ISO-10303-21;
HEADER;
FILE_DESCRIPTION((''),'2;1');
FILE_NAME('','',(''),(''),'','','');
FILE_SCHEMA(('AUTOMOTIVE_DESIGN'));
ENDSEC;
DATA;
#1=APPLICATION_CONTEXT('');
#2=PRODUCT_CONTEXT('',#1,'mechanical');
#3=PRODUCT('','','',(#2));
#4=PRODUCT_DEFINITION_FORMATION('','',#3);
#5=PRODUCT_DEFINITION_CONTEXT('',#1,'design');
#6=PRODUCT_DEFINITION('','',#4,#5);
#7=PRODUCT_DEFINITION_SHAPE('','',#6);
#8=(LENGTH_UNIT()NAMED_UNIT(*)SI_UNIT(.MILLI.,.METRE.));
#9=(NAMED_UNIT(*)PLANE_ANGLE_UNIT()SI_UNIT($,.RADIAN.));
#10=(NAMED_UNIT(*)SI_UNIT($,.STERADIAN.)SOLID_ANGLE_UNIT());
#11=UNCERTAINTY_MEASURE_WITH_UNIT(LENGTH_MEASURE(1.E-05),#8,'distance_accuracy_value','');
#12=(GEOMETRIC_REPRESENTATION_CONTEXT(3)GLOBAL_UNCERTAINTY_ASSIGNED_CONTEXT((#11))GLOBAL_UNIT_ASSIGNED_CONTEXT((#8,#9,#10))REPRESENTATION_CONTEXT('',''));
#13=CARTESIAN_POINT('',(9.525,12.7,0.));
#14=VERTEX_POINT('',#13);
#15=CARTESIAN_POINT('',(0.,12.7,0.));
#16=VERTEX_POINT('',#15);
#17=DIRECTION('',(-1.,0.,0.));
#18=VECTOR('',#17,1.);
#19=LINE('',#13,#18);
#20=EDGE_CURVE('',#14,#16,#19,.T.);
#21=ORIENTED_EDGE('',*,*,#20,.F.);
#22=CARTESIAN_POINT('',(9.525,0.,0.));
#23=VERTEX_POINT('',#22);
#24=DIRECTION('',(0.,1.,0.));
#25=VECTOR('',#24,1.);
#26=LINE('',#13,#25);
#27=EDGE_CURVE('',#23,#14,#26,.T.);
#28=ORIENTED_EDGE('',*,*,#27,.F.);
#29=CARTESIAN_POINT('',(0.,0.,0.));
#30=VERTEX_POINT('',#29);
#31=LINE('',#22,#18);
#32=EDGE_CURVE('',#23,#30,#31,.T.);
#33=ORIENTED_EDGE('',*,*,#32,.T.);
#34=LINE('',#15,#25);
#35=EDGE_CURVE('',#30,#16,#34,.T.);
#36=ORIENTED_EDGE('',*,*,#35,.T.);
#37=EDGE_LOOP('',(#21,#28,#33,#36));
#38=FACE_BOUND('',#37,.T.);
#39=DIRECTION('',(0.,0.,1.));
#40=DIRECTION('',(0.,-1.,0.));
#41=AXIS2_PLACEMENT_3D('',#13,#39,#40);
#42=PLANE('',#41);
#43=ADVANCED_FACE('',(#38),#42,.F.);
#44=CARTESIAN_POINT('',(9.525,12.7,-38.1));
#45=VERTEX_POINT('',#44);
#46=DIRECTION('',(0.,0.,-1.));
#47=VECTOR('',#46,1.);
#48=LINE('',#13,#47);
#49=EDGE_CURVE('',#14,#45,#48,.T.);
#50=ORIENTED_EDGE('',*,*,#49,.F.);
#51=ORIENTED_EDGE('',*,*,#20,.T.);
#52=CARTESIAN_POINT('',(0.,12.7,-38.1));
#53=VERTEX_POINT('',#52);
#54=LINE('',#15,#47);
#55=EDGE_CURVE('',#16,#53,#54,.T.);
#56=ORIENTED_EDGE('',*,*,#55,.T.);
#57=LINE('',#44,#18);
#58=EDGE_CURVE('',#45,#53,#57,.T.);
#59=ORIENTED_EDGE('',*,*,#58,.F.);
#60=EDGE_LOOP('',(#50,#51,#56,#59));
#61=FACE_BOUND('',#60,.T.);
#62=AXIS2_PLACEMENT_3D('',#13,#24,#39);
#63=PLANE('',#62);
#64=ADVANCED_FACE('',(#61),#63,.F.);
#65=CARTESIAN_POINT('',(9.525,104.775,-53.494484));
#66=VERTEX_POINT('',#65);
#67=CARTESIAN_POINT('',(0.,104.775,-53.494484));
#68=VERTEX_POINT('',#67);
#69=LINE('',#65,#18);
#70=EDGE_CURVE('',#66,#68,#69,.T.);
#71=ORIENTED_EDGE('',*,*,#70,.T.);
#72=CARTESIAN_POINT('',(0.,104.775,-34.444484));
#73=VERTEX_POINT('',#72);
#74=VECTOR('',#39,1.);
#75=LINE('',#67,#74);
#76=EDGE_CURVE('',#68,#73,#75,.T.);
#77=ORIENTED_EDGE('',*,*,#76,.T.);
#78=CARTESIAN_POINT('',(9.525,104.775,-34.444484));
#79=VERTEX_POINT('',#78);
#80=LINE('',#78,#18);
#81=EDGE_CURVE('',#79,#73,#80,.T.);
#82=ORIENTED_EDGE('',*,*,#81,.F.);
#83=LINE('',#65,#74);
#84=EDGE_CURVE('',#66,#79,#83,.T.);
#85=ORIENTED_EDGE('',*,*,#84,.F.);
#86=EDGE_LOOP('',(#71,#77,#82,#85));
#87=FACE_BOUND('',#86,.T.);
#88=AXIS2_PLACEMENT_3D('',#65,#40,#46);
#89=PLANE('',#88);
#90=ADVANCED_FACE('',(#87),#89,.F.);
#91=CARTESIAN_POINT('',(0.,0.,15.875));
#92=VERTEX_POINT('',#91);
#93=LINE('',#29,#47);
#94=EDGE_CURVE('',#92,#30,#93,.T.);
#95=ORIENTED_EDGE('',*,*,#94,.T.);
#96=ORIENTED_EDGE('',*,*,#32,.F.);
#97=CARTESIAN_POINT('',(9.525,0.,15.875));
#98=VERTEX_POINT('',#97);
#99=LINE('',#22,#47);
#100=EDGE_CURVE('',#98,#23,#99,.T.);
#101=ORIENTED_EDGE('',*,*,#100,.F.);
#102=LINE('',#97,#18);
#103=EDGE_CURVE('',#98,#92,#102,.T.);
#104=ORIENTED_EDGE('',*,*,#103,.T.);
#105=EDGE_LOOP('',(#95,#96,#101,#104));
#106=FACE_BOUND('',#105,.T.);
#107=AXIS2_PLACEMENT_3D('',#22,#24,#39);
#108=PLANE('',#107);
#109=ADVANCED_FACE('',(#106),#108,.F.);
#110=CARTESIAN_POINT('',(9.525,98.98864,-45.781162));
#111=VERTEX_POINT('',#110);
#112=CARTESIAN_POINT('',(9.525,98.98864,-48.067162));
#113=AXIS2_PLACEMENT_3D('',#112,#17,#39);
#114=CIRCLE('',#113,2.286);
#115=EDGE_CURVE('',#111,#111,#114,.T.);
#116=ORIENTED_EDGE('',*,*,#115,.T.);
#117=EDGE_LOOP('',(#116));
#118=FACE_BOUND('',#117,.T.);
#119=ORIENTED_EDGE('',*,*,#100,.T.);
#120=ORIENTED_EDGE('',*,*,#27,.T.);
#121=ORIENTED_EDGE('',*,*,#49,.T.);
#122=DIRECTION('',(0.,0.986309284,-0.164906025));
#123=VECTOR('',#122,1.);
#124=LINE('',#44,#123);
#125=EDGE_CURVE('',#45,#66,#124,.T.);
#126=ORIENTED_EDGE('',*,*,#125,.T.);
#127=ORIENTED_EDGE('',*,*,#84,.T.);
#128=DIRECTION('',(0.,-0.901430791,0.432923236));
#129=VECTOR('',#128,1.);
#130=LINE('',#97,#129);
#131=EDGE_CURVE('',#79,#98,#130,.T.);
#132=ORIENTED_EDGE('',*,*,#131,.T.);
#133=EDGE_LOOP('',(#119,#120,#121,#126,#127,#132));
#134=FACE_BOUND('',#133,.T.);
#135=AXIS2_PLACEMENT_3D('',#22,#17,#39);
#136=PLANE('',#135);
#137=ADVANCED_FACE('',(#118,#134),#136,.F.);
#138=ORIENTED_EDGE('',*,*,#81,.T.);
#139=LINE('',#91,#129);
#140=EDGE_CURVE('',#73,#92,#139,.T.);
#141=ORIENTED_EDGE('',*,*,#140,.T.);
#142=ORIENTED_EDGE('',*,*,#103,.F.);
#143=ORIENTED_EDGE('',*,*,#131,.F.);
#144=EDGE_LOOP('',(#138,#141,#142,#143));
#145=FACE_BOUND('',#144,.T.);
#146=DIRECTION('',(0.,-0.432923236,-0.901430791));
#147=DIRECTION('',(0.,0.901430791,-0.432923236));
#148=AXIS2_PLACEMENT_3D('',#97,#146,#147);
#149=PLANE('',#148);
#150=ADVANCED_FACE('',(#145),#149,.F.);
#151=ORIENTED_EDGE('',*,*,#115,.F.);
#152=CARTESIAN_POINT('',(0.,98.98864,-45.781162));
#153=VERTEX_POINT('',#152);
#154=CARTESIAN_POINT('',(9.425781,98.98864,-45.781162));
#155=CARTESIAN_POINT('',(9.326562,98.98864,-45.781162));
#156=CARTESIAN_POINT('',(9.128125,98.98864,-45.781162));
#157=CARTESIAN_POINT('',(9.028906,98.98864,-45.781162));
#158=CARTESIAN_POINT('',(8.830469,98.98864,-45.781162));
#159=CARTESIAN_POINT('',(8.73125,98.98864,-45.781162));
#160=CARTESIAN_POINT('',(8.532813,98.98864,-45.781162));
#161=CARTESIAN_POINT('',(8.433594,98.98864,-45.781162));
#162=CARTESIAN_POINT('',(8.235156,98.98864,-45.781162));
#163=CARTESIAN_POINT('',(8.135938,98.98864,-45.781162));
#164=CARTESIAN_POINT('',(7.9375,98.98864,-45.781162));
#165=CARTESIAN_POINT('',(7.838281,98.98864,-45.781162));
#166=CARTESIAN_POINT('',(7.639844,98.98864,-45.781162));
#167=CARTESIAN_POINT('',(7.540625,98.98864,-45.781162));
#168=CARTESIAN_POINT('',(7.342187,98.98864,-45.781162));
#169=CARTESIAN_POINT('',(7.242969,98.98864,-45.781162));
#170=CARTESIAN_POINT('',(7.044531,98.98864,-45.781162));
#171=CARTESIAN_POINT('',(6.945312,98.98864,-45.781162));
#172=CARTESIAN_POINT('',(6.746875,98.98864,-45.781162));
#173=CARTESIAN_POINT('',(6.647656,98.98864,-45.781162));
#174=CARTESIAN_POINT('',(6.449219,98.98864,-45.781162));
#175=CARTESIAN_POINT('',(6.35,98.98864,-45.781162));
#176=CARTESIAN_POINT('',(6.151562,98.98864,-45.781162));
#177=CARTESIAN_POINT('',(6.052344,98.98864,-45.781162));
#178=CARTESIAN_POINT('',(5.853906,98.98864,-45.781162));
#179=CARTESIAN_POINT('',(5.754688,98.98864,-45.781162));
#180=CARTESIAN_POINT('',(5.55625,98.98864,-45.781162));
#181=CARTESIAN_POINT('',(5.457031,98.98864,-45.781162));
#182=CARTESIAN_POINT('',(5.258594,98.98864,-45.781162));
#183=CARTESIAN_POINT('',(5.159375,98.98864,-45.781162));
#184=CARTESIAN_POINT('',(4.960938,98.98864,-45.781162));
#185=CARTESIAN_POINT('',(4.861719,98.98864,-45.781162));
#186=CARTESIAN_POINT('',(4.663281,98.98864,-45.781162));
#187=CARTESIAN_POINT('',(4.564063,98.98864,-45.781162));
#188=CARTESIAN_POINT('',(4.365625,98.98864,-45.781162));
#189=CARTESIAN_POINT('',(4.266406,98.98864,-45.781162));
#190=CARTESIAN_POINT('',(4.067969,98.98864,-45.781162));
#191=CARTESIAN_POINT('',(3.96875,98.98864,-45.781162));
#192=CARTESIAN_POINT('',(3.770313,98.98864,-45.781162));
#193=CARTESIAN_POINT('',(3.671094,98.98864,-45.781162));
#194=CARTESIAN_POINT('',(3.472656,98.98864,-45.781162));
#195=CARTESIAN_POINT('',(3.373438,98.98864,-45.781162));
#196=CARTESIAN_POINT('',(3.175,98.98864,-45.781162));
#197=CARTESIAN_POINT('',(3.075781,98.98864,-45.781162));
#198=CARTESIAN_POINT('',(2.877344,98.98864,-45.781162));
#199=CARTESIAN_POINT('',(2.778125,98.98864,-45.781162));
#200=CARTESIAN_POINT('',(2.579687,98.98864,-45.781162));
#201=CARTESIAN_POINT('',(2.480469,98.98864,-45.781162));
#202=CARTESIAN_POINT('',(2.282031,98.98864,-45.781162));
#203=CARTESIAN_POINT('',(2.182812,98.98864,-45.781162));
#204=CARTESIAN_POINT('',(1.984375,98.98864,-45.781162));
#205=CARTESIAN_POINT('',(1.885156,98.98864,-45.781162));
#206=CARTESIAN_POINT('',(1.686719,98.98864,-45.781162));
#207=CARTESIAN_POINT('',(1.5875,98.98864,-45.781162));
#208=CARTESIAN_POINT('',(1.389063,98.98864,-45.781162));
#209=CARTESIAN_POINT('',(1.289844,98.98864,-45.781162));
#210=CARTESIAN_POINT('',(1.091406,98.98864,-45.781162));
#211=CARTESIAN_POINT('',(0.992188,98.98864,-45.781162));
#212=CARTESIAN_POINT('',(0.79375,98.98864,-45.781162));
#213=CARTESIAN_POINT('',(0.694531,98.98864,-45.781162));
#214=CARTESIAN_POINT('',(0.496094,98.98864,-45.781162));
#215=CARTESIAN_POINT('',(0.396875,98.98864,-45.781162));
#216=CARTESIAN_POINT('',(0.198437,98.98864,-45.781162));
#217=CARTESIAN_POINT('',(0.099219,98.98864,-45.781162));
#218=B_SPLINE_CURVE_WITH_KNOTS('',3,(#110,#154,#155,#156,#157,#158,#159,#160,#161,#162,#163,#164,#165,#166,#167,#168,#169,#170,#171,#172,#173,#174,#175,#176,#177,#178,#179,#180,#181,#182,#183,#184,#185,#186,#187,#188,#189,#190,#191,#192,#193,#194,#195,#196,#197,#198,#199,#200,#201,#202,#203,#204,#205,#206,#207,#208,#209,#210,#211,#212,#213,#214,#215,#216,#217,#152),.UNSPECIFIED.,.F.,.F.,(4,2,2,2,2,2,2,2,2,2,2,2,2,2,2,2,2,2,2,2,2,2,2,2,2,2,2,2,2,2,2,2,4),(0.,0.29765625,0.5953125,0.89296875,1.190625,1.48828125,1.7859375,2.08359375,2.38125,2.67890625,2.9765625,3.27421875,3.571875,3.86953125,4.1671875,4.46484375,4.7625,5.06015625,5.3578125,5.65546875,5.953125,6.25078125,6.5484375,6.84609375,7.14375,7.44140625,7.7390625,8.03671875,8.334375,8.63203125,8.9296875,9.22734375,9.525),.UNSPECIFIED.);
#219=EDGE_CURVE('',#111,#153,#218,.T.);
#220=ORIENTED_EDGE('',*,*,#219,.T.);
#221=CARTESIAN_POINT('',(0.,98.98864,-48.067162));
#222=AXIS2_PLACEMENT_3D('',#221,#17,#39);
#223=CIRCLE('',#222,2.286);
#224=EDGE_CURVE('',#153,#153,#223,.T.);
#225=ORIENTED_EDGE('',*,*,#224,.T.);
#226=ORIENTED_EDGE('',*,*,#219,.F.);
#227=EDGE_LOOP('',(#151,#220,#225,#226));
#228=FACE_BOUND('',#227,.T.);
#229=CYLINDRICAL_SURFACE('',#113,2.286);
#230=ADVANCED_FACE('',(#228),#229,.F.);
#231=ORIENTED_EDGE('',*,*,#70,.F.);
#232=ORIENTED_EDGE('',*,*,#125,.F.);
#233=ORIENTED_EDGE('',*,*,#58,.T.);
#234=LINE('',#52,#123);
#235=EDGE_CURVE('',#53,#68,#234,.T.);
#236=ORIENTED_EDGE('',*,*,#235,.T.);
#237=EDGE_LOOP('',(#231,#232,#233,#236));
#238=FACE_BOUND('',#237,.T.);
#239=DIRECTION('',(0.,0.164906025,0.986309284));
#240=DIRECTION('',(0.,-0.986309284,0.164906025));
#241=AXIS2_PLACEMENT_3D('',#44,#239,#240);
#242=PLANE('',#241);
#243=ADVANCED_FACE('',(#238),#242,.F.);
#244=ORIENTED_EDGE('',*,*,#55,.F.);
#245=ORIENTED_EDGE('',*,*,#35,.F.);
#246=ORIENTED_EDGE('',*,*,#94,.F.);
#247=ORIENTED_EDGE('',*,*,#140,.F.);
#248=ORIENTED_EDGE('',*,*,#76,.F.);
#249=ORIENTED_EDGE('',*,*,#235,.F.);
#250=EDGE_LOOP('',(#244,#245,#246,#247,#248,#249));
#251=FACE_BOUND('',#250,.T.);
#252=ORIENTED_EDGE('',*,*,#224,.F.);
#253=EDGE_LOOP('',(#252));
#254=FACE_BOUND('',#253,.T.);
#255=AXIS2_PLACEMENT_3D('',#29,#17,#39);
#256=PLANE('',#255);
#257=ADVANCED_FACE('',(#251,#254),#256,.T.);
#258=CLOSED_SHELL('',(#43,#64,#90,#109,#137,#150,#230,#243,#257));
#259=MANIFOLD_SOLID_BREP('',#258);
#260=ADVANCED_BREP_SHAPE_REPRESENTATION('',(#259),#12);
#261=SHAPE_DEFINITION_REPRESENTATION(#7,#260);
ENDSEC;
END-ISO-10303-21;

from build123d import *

# Parameters (mm, degrees)
BOSS_EXTRUDE1_DEPTH = 9.525
SKETCH2_R           = 2.286
CUT_EXTRUDE1_DEPTH  = 119.026209144


with BuildPart() as part:
    # Sketch1 → Boss-Extrude1 (new body)
    with BuildSketch(Plane(origin=(0, 0, 0), x_dir=(0, 0, -1), z_dir=(1, 0, 0))):
        Polygon((0, 0), (-15.875, 0), (34.444483781, 104.775), (53.494483781, 104.775), (38.1, 12.7), (0, 12.7), align=None)
    extrude(amount=BOSS_EXTRUDE1_DEPTH)

    # Sketch2 → Cut-Extrude1 (cut, through all)
    with BuildSketch(Plane.ZY):
        with Locations((-48.067162249, 98.988640316)):
            Circle(SKETCH2_R)
    extrude(amount=-CUT_EXTRUDE1_DEPTH, mode=Mode.SUBTRACT)


solid = part.part
